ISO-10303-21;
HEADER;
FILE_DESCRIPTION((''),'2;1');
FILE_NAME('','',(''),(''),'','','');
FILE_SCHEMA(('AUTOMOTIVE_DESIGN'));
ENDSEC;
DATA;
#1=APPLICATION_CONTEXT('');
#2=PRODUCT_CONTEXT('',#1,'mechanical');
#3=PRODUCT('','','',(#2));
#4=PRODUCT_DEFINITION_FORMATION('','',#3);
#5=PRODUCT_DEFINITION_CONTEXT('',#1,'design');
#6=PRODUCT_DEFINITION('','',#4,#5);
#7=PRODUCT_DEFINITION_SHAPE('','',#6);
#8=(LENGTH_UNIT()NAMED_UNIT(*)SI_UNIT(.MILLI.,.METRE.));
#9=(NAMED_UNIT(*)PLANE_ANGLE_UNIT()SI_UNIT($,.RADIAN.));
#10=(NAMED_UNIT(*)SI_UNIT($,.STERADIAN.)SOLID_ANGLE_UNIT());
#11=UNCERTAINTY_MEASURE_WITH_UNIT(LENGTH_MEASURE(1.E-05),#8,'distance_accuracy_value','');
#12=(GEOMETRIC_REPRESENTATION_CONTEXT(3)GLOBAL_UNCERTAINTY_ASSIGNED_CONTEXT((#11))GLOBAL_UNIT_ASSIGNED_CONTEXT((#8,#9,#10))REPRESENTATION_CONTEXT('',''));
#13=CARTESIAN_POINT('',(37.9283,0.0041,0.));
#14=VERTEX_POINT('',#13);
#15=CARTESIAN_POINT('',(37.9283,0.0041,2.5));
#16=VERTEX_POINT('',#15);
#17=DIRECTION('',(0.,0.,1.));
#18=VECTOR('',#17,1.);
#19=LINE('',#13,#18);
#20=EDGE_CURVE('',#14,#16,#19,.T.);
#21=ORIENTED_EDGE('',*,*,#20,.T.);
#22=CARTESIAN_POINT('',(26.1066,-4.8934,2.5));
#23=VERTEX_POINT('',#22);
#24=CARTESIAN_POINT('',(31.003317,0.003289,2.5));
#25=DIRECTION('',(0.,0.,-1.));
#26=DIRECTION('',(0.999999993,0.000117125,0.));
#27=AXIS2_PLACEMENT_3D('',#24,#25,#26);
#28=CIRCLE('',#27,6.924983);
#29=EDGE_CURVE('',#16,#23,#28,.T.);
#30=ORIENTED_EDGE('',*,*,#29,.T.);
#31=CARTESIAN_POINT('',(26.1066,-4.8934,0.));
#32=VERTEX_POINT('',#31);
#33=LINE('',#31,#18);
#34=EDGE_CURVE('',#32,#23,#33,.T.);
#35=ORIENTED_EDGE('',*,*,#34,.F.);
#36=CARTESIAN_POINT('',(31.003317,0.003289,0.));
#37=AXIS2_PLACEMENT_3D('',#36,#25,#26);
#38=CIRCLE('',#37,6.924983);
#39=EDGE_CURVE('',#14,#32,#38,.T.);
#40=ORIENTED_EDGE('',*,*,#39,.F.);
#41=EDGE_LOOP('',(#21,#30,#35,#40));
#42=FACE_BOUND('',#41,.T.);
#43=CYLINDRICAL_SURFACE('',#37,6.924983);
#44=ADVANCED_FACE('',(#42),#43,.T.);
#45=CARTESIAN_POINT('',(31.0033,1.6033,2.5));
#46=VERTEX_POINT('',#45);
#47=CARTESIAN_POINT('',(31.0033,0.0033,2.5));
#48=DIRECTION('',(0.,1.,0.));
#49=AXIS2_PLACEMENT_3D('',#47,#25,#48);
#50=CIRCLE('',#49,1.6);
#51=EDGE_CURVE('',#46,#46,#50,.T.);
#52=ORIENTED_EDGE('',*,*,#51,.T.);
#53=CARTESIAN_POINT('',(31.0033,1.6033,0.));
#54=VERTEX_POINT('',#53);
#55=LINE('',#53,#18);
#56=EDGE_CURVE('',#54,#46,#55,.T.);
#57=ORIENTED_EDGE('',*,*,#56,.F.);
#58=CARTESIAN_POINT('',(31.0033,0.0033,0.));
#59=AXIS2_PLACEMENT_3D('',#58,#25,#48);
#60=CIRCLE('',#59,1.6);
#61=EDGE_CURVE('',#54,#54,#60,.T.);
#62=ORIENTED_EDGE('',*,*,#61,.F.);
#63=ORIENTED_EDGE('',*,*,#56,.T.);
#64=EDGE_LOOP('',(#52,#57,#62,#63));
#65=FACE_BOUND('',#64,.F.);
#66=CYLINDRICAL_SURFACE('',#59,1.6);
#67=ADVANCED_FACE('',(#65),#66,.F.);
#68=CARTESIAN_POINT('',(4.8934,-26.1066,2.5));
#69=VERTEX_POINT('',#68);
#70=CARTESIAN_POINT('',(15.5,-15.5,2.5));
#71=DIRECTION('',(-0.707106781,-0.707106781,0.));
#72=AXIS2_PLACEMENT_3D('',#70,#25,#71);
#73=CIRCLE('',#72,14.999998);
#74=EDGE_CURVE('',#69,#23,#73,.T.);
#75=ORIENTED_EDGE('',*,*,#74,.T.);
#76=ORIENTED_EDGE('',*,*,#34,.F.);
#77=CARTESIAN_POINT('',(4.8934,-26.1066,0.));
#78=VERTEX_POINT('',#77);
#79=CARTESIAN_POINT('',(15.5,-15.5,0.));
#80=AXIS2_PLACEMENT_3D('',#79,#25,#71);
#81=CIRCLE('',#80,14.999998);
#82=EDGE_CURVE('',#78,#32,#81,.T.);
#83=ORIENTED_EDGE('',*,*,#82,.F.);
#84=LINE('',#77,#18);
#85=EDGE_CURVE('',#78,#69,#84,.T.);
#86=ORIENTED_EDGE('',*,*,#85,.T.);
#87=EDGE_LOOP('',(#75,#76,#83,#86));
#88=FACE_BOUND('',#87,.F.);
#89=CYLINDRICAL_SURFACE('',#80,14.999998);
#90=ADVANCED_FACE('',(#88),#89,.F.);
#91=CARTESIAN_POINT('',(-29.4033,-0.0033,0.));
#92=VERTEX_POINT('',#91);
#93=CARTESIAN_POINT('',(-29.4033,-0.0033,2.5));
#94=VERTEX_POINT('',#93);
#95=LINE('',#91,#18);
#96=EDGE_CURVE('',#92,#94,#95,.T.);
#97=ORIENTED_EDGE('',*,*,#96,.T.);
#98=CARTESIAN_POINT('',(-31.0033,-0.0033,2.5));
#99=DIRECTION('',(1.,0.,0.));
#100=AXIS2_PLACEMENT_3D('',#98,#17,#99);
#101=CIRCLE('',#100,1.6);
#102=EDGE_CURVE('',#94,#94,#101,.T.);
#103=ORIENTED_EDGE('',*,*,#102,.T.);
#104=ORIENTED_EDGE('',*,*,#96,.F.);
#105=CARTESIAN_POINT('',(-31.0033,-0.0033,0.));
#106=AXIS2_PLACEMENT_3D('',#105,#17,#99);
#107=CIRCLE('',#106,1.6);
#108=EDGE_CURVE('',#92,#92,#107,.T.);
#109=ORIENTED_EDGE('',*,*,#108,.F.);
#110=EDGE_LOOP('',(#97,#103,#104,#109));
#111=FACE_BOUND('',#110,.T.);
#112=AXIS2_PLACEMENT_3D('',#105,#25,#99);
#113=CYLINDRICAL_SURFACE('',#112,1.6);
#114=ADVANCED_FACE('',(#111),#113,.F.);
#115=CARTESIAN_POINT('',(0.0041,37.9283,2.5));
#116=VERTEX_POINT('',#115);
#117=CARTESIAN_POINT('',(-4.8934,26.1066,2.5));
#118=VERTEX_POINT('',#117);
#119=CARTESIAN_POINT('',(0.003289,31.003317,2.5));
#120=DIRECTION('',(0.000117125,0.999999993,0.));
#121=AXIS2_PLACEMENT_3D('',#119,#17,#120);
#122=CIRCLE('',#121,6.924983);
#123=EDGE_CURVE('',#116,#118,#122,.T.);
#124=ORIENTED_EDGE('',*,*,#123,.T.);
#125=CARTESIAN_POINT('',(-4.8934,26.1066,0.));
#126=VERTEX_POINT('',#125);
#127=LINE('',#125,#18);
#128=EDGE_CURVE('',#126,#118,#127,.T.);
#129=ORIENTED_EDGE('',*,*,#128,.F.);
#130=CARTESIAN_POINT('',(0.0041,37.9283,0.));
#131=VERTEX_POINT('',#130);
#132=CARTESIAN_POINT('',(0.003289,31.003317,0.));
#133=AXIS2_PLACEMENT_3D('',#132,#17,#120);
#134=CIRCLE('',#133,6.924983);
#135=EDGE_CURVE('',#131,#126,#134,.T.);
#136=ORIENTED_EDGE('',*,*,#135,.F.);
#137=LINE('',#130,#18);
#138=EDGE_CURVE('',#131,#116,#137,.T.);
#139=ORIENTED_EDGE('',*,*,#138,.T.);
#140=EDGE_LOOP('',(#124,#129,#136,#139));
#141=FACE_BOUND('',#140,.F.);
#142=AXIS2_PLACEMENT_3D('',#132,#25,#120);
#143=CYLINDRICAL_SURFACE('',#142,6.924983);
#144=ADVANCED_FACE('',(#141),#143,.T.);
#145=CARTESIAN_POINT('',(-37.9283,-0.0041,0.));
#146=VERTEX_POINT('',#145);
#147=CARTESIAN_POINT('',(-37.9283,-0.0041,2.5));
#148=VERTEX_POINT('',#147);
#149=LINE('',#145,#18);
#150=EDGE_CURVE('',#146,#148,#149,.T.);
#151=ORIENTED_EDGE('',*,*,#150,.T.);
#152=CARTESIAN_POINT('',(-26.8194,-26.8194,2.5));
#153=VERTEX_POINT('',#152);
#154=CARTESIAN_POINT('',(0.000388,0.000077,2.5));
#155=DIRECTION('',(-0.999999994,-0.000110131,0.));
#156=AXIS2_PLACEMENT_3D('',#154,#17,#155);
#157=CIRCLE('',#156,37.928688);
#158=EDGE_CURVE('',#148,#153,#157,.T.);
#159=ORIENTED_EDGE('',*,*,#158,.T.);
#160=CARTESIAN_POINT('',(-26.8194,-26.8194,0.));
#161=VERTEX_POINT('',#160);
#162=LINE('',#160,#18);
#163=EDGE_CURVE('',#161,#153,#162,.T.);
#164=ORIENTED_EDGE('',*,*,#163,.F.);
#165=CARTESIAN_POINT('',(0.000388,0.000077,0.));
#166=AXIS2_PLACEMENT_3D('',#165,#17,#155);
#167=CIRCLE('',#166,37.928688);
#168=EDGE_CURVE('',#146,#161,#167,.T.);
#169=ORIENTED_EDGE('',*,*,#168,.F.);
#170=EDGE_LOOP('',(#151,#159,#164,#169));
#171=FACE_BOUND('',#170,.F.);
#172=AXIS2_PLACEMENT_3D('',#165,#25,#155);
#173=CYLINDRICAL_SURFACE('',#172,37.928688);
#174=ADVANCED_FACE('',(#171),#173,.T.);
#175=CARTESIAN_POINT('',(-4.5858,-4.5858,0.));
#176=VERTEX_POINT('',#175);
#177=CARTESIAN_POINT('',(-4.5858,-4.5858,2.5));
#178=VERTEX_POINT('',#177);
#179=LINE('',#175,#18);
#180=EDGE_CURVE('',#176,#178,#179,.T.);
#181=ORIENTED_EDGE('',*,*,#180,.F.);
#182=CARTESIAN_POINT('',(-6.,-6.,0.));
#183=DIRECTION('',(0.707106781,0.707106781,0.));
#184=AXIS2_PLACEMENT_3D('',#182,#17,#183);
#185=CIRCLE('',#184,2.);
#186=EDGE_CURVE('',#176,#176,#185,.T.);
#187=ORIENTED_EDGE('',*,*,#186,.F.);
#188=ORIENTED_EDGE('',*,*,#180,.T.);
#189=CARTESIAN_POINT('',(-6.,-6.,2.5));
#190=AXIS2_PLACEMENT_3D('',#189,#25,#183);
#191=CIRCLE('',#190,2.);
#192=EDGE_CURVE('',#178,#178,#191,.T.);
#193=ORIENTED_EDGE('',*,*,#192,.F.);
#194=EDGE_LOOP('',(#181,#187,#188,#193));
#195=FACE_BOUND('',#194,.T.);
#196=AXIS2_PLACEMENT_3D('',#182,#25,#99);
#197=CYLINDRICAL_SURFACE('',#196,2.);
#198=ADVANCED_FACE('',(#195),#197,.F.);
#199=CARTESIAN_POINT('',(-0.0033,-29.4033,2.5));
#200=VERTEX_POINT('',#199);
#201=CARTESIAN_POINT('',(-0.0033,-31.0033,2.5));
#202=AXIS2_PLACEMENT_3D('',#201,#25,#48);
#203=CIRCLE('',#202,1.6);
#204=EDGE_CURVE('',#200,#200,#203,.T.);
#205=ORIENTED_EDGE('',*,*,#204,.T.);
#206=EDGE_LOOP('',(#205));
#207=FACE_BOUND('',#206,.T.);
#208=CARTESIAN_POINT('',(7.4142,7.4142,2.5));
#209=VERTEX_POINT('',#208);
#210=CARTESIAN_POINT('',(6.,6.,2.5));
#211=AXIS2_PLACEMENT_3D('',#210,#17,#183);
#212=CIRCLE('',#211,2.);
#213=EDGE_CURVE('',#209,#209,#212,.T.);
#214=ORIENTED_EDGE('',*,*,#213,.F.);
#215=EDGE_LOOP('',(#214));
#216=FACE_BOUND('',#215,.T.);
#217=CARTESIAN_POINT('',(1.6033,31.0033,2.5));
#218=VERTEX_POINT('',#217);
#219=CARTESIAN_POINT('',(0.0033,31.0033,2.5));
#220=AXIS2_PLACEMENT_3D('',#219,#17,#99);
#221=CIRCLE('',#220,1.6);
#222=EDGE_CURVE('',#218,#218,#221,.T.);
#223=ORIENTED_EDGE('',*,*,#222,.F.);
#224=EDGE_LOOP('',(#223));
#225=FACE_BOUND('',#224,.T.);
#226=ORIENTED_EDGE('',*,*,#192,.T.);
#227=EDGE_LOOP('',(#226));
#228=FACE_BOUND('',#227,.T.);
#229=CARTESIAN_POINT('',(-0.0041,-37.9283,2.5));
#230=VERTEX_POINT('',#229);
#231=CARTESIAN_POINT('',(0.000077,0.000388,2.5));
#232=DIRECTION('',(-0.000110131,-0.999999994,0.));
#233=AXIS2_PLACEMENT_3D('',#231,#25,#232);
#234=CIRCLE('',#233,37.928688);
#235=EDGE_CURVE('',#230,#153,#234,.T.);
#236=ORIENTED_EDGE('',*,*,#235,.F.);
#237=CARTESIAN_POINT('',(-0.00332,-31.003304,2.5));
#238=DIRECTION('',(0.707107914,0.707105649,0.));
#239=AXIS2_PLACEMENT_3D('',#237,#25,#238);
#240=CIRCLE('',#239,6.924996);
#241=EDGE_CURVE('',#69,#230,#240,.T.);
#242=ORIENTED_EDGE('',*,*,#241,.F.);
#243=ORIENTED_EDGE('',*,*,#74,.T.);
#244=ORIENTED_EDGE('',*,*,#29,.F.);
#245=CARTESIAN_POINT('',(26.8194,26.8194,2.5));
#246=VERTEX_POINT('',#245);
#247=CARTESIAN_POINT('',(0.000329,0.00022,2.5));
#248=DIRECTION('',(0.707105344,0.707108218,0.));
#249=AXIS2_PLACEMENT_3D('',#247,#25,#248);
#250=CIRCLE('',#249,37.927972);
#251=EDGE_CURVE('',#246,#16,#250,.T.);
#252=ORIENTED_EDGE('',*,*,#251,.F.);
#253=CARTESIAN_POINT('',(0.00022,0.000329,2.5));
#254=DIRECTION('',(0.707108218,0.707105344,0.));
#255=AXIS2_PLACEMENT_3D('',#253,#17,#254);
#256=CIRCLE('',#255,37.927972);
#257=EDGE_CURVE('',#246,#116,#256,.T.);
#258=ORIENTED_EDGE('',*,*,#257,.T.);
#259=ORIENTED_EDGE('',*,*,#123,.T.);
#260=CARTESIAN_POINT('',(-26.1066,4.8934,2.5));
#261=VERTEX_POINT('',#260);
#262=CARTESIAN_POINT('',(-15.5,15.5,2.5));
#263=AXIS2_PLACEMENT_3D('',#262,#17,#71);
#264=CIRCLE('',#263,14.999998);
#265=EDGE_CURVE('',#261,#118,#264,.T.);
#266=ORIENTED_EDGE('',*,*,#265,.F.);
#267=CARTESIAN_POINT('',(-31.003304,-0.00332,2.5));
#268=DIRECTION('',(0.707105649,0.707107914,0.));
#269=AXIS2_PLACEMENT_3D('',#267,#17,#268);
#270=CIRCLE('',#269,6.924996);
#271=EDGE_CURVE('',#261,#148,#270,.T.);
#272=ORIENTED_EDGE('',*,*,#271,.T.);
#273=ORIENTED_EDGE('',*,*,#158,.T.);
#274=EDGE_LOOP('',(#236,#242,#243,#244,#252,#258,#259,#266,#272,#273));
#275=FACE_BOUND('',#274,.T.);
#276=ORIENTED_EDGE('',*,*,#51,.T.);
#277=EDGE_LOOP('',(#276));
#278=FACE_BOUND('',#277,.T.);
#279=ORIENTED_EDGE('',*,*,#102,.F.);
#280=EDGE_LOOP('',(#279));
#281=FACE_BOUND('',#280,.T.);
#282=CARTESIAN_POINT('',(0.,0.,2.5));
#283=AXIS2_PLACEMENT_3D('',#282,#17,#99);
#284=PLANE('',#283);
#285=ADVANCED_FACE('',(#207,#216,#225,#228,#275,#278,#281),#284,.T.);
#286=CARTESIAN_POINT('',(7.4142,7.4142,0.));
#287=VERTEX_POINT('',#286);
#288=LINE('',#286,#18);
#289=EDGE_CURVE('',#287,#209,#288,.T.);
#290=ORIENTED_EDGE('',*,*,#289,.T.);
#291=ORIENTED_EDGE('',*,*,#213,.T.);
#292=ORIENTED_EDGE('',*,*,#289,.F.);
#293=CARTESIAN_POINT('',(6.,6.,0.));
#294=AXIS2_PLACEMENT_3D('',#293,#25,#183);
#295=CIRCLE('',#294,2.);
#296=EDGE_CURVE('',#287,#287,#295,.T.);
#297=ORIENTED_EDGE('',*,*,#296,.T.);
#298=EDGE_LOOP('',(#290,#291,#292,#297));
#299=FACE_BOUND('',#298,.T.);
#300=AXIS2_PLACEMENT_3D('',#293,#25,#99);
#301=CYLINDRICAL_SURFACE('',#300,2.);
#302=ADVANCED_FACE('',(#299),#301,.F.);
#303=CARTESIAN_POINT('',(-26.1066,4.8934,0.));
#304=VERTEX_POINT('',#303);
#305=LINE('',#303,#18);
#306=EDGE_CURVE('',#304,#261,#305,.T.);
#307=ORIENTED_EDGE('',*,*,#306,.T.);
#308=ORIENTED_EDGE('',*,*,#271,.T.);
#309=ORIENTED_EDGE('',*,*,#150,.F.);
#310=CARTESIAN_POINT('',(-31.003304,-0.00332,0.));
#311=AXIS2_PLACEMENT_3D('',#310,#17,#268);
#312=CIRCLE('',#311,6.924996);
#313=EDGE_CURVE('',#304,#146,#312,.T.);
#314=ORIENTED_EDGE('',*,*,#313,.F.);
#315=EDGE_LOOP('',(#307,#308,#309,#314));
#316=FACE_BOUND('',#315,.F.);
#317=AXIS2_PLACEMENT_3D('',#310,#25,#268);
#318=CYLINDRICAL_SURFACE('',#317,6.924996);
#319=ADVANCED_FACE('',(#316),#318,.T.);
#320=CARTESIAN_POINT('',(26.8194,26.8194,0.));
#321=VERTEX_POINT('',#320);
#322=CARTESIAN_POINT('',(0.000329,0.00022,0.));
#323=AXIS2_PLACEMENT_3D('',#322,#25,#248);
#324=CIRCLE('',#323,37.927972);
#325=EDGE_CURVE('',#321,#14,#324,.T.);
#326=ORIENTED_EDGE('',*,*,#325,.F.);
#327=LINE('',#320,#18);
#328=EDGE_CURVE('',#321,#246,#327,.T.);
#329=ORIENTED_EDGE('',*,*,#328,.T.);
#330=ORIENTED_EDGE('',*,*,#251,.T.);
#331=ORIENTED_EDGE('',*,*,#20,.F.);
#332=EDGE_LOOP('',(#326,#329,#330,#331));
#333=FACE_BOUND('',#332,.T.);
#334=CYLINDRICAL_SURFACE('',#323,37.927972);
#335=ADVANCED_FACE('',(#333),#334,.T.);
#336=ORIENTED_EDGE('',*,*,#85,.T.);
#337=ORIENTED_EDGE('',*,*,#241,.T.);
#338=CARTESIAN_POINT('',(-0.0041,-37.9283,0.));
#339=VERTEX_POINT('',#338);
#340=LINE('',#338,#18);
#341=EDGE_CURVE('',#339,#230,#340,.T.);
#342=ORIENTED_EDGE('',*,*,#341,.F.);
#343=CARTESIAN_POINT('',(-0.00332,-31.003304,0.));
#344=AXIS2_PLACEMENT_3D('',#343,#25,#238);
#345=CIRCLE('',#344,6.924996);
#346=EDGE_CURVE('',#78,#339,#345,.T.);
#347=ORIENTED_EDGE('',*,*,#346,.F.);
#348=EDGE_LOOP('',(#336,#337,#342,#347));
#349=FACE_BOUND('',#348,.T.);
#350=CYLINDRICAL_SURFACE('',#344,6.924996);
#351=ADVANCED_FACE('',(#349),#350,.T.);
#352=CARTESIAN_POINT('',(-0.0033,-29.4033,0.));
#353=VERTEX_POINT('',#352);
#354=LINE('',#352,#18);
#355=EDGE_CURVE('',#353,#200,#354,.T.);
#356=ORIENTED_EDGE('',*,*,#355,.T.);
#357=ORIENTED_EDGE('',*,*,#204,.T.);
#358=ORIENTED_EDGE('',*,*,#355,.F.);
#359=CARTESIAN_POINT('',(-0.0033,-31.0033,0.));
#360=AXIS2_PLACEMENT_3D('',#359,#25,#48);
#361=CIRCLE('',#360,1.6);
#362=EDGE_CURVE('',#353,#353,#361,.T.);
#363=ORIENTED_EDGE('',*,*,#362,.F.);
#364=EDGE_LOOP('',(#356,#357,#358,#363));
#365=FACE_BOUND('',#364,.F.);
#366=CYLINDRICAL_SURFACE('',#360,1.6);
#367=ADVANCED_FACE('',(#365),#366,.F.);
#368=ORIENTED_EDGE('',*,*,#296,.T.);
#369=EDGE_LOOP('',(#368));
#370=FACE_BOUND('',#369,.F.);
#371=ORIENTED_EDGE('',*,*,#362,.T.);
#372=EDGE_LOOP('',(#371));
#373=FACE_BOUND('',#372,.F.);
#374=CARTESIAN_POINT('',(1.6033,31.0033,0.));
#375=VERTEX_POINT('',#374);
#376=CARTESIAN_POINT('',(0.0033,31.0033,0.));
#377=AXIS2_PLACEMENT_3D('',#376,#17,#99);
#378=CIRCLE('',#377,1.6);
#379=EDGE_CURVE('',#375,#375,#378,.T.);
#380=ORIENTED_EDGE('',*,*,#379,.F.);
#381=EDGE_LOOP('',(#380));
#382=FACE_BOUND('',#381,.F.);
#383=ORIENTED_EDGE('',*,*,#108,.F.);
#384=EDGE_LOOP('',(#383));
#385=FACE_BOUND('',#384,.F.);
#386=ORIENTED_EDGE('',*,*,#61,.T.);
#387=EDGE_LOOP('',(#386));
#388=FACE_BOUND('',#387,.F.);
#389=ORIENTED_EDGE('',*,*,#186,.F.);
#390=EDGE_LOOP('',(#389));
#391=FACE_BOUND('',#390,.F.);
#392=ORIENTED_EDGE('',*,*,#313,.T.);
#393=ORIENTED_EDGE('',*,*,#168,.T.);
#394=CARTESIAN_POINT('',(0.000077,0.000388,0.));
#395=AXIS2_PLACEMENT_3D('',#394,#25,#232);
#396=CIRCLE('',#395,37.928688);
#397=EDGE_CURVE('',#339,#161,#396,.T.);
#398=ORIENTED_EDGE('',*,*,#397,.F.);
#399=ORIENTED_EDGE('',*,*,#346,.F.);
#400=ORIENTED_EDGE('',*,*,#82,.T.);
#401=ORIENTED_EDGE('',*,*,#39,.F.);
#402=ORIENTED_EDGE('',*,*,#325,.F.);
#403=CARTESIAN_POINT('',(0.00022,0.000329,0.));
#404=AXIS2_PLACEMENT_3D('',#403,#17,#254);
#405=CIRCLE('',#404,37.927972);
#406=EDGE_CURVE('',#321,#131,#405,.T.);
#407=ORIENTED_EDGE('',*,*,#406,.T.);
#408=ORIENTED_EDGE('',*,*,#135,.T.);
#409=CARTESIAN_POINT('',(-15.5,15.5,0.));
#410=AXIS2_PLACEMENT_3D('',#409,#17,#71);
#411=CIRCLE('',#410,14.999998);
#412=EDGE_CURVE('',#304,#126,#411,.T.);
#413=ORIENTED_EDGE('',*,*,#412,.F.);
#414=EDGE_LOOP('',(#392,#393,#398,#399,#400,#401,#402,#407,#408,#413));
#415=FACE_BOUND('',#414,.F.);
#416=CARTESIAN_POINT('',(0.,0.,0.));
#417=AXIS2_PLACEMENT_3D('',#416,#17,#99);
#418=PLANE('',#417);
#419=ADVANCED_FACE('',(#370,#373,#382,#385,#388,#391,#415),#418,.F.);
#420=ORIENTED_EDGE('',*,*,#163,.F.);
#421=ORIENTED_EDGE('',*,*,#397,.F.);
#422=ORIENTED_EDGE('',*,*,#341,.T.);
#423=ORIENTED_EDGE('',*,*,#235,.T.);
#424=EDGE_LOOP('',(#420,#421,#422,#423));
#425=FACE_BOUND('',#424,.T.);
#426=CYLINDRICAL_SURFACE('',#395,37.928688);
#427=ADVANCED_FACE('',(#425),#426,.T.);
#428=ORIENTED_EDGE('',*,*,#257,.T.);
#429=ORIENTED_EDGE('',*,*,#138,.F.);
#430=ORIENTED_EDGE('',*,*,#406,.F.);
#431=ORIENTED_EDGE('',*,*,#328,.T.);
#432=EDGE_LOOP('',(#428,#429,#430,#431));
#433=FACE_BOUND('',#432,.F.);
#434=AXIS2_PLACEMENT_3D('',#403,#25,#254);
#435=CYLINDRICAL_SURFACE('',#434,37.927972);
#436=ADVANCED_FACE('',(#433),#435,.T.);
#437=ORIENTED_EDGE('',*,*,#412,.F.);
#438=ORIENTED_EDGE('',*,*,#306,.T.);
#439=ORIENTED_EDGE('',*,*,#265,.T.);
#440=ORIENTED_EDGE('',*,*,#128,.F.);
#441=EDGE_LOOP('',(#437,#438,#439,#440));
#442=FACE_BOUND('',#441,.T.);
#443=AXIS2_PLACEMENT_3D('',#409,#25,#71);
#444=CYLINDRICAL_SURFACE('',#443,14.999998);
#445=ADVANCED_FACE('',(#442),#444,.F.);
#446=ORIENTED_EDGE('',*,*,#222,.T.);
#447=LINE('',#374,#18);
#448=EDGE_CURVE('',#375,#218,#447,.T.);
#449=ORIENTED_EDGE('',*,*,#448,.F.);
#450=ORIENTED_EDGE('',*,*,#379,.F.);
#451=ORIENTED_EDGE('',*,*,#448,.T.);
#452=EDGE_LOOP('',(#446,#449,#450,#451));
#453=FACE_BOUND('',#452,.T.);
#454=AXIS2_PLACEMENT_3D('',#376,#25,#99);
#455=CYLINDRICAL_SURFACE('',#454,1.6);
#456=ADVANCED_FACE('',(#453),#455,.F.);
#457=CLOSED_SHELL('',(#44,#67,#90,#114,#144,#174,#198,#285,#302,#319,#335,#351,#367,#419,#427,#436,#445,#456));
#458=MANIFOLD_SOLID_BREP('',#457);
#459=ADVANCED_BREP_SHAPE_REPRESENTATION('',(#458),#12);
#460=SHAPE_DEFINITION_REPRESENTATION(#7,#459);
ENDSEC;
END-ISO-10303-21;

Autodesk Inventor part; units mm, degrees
ref_plane "YZ Plane" through (0, 0, 0) normal (1, 0, 0) x (0, 1, 0)
ref_plane "XZ Plane" through (0, 0, 0) normal (0, 1, 0) x (-1, 0, 0)
ref_plane "XY Plane" through (0, 0, 0) normal (0, 0, 1) x (1, 0, 0)
sketch "Sketch2" plane through (0, 0, 0) normal (0, 0, 1) x (1, 0, 0)
  circle A0 centre (6, 6) radius 2
  circle A1 centre (0.0033, 31.0033) radius 1.6
  circle A2 centre (-31.0033, -0.0033) radius 1.6
  line L0 (-31.0033, -0.0033) -> (0.0033, 31.0033) construction
  arc A3 (-26.1066, 4.8934) -> (-4.8934, 26.1066) centre (-15.5, 15.5) ccw
  line L1 (-15.5, 15.5) -> (0, 0) construction
  arc A4 (0.0041, 37.9283) -> (-4.8934, 26.1066) centre (0.0033, 31.0033) ccw
  circle A5 centre (-6, -6) radius 2
  line L2 (6, 6) -> (-6, -6) construction
  arc A6 (26.8194, 26.8194) -> (0.0041, 37.9283) centre (0, 0) ccw
  line L3 (26.8194, 26.8194) -> (7.4142, 7.4142)
  arc A7 (-26.1066, 4.8934) -> (-37.9283, -0.0041) centre (-31.0033, -0.0033) ccw
  arc A8 (-37.9283, -0.0041) -> (-26.8194, -26.8194) centre (0, 0) ccw
  line L4 (-26.8194, -26.8194) -> (-7.4142, -7.4142)
  line L5 (-4.5858, -4.5858) -> (4.5858, 4.5858)
  dimension "d0" = 6
  dimension "d1" = 6
  dimension "d2" = 4
  dimension "d3" = 43.85
  dimension "d4" = 3.2
  dimension "d5" = 30
  dimension "d6" = 15.5
  dimension "d7" = 15.5
extrude "Extrusion1" add sketch "Sketch2" along normal blind 2.5 contours A0 L5 A5 L4 A8 A7 A3 A4 A6 L3
mirror "Mirror1" about plane through (-4.5858, -4.5858, 0) normal (0.7071, -0.7071, 0)
equation "\"d1\" = d0"
equation "\"d7\" = d6"
properties part number "mount-plate_3DPrint"
